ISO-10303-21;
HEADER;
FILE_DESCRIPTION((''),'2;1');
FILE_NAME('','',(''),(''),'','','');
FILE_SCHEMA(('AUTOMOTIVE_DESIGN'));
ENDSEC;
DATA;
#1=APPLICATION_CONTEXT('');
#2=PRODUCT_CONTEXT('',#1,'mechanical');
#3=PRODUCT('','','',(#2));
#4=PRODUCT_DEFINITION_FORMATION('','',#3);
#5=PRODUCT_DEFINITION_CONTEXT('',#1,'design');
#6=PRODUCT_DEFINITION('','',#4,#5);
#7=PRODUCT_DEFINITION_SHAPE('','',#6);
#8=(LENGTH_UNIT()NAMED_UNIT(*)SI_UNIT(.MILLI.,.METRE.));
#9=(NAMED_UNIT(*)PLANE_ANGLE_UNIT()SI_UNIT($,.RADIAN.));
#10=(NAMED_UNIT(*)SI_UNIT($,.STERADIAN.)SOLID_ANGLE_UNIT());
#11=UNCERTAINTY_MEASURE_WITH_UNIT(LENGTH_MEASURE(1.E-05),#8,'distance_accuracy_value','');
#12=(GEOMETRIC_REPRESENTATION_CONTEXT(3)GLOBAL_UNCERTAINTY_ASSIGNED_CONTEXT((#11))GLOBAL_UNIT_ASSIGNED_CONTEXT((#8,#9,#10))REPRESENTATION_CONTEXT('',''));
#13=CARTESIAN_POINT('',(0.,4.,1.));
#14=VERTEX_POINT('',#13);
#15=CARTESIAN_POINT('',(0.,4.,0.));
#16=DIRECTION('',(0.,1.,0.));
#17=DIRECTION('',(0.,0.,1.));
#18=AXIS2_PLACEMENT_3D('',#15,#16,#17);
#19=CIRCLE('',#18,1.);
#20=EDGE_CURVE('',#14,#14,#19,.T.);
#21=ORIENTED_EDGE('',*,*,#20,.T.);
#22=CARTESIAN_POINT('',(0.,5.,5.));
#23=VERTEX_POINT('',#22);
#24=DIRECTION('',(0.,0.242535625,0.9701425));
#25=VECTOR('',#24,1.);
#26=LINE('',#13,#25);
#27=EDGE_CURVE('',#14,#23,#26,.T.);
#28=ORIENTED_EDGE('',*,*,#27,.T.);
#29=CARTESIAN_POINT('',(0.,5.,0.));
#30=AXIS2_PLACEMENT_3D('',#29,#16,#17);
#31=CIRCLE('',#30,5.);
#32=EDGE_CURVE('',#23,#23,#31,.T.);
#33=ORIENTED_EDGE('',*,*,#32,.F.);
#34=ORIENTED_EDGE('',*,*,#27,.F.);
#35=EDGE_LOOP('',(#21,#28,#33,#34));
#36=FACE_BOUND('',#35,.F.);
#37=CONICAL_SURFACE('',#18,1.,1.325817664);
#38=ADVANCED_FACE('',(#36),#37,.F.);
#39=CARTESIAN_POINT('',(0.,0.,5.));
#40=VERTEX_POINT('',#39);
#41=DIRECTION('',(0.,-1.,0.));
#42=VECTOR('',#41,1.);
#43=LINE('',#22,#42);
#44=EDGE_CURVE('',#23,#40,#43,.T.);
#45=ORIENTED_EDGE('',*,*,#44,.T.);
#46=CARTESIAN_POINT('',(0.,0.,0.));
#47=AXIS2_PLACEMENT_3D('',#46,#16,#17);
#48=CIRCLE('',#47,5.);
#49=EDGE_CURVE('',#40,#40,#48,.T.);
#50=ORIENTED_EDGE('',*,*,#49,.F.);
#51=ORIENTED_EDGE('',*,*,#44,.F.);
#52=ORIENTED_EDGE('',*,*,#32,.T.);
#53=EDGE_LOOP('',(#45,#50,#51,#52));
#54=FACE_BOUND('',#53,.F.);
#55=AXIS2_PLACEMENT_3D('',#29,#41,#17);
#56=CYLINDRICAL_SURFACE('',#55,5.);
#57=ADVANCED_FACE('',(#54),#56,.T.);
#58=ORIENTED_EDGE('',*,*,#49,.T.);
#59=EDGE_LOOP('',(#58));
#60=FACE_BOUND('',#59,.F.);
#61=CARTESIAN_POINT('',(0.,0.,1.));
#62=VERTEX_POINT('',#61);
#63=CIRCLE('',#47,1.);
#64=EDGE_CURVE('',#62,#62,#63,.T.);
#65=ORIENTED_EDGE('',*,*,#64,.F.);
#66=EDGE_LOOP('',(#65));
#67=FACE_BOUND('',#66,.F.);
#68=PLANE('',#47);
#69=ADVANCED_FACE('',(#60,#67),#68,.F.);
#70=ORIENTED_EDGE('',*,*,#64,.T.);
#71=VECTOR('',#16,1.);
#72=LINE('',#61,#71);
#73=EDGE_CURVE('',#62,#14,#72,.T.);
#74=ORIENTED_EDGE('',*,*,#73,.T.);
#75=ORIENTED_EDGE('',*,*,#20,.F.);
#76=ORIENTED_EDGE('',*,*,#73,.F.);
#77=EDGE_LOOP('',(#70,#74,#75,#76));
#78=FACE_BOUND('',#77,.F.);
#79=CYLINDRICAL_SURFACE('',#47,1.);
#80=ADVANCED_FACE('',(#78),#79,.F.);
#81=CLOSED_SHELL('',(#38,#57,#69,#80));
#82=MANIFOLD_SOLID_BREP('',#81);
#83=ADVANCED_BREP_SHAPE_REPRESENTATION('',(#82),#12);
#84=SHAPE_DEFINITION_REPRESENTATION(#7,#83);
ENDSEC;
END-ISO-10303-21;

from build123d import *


with BuildPart() as f1:
    # F0 (on Right) → F1 (revolve)
    with BuildSketch(Plane.YZ):
        Polygon((4, 5), (0, 5), (0, 1), (4, 1), (5, 5), align=None)
    revolve(axis=Axis((0, -2.734288, 0), (0, 1, 0)))


solid = f1.part
